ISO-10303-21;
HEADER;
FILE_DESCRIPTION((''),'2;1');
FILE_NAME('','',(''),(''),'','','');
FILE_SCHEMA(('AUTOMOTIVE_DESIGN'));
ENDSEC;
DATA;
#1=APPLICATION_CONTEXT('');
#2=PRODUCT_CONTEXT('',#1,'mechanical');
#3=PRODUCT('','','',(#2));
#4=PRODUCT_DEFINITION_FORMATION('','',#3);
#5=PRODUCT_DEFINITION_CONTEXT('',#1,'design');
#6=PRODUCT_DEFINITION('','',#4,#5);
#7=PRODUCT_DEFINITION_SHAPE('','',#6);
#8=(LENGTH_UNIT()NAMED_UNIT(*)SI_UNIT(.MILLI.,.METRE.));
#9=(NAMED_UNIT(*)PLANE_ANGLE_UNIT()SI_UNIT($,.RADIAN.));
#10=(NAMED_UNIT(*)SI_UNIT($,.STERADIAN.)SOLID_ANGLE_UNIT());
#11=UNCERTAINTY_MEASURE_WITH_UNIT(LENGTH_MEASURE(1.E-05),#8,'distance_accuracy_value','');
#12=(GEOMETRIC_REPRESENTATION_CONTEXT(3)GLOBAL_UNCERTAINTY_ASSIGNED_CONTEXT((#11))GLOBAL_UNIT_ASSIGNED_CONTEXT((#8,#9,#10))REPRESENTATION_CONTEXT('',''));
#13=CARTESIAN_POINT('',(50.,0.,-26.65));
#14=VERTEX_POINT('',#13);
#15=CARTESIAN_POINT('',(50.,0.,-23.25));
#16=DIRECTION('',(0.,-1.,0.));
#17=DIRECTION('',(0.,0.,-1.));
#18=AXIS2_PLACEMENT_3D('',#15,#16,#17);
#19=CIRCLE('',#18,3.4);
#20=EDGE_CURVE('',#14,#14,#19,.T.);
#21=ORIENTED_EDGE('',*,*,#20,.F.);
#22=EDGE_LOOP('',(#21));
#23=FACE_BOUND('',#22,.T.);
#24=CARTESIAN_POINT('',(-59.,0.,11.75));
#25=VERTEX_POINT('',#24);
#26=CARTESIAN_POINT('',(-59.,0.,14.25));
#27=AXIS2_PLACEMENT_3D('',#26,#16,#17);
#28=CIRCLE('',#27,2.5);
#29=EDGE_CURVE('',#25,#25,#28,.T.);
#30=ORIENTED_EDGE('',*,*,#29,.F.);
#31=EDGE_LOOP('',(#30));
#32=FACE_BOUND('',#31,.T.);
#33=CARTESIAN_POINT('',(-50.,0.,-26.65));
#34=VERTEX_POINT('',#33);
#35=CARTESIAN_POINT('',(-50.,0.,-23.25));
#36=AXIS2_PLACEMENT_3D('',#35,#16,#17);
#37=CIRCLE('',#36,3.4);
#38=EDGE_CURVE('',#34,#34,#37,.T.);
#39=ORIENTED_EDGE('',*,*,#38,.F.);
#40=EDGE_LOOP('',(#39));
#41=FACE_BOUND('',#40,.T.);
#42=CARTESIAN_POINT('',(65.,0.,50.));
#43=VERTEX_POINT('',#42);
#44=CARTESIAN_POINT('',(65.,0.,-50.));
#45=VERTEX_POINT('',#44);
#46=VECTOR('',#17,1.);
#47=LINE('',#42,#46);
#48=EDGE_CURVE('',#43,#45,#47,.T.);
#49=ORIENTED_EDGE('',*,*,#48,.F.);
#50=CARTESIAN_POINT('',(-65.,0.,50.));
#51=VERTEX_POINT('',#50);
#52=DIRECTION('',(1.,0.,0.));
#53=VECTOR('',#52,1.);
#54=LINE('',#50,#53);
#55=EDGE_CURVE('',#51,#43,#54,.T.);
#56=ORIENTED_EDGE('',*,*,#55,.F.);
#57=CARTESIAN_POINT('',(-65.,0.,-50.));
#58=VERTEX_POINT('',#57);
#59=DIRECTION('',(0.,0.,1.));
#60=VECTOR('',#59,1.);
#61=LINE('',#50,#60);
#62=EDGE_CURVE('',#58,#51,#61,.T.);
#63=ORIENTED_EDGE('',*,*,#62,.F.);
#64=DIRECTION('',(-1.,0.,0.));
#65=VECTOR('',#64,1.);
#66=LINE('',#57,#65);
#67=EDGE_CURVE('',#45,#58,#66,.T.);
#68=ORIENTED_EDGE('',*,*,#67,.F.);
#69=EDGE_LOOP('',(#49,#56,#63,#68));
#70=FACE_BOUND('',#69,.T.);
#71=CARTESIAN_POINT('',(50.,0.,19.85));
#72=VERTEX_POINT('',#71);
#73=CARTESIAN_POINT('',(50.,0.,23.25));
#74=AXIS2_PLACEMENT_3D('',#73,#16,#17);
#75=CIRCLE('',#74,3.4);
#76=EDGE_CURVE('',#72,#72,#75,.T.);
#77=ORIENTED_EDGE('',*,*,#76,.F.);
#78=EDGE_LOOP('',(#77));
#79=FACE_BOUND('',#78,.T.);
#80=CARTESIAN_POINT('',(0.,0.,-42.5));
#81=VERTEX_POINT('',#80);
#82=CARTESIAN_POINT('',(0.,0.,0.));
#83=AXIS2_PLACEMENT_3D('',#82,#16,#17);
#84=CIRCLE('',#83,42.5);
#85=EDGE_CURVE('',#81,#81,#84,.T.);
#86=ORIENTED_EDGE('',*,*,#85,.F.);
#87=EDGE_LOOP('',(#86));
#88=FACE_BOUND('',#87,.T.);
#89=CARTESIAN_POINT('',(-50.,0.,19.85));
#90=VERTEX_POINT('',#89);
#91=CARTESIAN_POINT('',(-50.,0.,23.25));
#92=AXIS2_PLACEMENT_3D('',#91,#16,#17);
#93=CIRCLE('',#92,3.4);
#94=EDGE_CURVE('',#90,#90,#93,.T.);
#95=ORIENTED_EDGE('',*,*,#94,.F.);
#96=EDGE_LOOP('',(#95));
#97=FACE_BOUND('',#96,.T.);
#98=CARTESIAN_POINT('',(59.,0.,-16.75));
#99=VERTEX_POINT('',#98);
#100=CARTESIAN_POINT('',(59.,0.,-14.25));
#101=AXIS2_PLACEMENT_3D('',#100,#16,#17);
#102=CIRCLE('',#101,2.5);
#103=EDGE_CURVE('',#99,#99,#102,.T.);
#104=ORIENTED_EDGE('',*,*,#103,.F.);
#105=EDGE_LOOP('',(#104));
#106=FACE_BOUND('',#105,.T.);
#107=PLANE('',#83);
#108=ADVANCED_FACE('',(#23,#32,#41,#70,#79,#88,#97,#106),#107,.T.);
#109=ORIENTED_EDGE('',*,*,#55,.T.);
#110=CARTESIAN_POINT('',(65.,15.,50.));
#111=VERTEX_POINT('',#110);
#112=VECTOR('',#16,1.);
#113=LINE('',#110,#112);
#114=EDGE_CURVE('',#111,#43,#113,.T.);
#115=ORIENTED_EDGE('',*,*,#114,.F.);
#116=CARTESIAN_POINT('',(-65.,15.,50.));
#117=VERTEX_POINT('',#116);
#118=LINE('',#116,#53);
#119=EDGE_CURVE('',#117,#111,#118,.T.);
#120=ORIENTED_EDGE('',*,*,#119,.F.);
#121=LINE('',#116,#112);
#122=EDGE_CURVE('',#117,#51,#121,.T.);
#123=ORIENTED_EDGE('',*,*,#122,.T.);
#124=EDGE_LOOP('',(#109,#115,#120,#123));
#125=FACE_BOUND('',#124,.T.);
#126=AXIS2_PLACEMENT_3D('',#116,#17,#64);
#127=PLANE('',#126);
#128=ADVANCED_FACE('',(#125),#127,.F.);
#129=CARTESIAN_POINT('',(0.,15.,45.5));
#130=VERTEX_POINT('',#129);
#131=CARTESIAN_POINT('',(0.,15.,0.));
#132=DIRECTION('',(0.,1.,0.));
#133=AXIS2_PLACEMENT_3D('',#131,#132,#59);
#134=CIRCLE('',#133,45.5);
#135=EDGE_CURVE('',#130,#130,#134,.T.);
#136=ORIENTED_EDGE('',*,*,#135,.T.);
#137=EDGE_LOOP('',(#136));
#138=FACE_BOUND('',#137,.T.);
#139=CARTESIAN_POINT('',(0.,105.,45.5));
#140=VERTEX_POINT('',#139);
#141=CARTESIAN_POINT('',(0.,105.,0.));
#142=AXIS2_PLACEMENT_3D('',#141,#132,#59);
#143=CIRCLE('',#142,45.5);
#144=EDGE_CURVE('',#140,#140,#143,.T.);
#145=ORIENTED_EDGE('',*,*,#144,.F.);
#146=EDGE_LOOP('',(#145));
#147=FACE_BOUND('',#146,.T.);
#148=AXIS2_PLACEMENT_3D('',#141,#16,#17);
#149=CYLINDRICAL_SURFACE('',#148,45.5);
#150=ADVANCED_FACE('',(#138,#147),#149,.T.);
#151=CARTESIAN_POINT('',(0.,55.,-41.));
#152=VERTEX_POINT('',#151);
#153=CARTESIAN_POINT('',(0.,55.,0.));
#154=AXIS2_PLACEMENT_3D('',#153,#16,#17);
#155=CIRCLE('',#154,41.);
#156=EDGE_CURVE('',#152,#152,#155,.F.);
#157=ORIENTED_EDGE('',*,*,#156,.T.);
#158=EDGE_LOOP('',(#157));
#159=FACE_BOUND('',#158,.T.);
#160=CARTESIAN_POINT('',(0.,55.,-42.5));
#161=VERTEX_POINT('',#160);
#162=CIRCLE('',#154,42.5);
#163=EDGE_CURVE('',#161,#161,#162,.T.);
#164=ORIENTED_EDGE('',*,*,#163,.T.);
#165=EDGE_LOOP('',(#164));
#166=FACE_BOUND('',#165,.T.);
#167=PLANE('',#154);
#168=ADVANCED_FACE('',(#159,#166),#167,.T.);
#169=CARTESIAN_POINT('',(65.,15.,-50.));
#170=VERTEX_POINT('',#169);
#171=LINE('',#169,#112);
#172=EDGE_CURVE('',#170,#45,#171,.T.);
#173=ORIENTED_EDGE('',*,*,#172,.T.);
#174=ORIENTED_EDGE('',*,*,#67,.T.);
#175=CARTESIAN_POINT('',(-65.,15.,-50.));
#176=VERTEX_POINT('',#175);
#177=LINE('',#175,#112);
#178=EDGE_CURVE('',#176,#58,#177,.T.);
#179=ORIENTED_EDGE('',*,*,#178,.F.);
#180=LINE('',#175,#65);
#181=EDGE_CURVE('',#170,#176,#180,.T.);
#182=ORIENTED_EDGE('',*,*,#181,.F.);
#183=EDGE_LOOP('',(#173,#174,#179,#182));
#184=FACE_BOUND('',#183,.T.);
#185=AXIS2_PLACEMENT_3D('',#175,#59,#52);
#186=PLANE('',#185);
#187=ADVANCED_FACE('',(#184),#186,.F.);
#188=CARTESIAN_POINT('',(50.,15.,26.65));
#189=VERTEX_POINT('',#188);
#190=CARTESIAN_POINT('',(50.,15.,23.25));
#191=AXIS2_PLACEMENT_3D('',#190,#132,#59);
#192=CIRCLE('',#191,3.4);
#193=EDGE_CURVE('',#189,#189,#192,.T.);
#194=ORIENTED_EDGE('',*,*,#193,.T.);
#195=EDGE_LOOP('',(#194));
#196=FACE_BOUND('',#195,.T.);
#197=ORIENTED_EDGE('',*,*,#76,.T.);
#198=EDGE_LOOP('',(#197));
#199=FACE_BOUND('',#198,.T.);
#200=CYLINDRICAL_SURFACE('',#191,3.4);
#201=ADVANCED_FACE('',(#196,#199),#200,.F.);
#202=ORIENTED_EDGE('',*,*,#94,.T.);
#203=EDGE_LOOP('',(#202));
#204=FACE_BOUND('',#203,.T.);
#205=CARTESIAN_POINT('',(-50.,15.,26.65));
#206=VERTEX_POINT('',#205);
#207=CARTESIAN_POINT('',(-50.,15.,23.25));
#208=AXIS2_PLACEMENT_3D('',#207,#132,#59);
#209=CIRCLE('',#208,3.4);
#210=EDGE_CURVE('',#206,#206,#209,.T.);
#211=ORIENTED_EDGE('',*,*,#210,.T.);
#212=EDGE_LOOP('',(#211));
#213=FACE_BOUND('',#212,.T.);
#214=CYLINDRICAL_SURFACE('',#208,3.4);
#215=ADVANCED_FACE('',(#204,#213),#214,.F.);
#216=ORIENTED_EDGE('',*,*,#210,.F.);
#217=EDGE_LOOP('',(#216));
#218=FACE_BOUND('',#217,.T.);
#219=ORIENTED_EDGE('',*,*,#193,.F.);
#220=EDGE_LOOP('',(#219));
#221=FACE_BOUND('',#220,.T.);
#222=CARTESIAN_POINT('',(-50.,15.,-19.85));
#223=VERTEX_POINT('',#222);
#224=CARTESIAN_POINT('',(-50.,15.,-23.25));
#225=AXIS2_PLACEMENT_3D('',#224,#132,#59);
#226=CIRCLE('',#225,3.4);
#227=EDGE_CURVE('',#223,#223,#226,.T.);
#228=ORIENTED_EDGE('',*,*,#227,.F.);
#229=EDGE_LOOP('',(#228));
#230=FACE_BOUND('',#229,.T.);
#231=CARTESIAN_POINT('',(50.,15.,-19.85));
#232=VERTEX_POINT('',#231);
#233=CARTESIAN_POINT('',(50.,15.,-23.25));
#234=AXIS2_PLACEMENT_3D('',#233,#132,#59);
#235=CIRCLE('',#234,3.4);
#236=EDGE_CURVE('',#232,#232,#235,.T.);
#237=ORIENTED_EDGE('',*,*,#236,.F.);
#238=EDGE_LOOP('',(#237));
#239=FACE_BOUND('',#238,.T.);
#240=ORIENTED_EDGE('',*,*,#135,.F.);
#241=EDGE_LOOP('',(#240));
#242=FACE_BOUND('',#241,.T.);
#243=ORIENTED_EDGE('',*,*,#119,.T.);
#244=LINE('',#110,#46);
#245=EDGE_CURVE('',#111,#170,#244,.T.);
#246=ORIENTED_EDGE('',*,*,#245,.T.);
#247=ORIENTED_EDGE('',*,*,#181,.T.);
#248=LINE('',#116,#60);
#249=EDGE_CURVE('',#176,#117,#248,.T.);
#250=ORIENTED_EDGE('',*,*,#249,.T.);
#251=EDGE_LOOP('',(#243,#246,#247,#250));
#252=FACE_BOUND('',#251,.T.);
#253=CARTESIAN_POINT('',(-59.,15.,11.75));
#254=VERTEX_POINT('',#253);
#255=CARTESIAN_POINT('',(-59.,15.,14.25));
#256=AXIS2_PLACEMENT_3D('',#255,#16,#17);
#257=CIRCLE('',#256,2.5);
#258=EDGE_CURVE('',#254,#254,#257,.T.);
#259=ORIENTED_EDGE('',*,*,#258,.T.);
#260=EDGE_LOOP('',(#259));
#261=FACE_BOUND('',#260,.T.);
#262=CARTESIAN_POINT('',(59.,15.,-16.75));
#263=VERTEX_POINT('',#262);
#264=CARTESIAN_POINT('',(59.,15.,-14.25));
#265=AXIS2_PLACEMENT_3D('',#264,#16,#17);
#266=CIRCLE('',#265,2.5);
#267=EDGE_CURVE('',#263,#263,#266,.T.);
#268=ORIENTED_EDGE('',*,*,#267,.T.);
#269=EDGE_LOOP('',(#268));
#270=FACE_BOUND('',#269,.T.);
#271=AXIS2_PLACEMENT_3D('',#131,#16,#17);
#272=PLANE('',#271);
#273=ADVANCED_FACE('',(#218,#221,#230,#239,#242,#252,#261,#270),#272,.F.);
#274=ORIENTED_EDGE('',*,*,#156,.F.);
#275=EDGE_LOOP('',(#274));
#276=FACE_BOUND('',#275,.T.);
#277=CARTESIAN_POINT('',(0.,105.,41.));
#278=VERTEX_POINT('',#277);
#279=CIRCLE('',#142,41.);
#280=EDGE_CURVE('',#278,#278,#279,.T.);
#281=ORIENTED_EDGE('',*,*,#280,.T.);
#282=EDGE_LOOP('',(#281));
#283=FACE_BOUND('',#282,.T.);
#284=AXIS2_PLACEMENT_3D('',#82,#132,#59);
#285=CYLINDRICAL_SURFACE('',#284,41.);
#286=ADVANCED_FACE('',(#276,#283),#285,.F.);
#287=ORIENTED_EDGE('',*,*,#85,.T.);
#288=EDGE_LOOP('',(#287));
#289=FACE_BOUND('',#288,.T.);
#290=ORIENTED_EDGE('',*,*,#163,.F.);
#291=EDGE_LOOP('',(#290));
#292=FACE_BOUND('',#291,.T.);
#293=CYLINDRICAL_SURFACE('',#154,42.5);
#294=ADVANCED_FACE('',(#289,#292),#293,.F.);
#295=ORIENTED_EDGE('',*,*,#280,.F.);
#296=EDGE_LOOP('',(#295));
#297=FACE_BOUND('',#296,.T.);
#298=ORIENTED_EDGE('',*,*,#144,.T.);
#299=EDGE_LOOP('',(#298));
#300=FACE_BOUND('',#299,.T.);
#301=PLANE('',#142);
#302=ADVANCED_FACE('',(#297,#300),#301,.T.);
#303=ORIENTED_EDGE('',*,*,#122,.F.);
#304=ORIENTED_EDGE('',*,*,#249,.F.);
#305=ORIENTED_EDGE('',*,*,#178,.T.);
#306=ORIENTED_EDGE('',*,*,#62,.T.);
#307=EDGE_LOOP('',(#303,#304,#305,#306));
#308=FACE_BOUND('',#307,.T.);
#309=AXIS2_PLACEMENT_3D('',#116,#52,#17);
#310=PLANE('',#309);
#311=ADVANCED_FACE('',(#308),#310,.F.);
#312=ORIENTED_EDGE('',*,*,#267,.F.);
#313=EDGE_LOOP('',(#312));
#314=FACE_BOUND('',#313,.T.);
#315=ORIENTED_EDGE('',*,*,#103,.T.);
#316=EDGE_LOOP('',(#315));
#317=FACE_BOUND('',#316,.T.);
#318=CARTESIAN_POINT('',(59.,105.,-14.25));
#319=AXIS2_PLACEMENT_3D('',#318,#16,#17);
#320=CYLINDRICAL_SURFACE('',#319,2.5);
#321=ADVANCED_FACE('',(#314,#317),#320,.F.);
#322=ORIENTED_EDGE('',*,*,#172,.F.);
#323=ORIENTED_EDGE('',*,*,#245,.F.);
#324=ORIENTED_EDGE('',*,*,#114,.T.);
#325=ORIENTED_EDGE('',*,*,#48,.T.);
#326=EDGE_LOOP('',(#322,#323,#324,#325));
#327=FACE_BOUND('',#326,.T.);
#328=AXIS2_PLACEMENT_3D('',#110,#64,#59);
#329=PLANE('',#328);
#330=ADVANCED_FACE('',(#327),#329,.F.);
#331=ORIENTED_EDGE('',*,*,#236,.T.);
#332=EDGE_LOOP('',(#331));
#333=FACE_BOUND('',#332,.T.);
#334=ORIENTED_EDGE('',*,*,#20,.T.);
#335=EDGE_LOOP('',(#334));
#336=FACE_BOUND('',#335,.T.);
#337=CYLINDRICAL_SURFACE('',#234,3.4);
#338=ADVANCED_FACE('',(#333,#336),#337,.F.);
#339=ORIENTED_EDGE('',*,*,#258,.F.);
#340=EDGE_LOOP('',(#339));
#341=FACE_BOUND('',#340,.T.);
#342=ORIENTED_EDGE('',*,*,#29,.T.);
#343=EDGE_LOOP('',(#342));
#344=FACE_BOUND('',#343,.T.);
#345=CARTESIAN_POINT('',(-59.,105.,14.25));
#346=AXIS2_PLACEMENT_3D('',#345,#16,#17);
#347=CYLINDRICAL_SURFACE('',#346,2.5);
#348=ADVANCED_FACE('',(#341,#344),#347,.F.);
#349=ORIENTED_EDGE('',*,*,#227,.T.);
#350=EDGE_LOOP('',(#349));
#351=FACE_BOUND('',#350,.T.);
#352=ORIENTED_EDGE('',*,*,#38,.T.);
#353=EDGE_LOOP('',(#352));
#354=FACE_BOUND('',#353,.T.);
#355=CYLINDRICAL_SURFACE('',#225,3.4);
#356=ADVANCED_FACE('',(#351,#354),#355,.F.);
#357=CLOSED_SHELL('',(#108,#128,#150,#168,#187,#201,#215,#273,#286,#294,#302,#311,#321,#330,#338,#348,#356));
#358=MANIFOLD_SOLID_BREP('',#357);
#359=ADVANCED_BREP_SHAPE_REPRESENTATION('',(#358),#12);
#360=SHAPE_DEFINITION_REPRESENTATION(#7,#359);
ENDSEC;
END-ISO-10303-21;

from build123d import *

# Parameters (mm, degrees)
SKETCH1_W             = 130
SKETCH1_H             = 100
BOSS_EXTRUDE1_DEPTH   = 15
SKETCH2_R             = 45.5
BOSS_EXTRUDE2_DEPTH   = 90
SKETCH3_R             = 41
CUT_EXTRUDE1_DEPTH    = 106
SKETCH4_R             = 42.5
CUT_EXTRUDE2_DEPTH    = 55
M8_TAPPED_HOLE1_D     = 6.8
M8_TAPPED_HOLE1_DEPTH = 17.707073895
M8_TAPPED_HOLE1_TIP   = 2.042926105
SKETCH11_R            = 2.5
CUT_EXTRUDE3_DEPTH    = 106


with BuildPart() as part:
    # Sketch1 → Boss-Extrude1 (new body)
    with BuildSketch(Plane(origin=(0, 0, 0), x_dir=(1, 0, 0), z_dir=(0, 1, 0))):
        Rectangle(SKETCH1_W, SKETCH1_H)
    extrude(amount=BOSS_EXTRUDE1_DEPTH)

    # Sketch2 → Boss-Extrude2 (add)
    with BuildSketch(Plane(origin=(0, 15, 0), x_dir=(1, 0, 0), z_dir=(0, 1, 0))):
        Circle(SKETCH2_R)
    extrude(amount=BOSS_EXTRUDE2_DEPTH)

    # Sketch3 → Cut-Extrude1 (cut, through all)
    with BuildSketch(Plane(origin=(0, 105, 0), x_dir=(1, 0, 0), z_dir=(0, 1, 0))):
        Circle(SKETCH3_R)
    extrude(amount=-CUT_EXTRUDE1_DEPTH, mode=Mode.SUBTRACT)

    # Sketch4 → Cut-Extrude2 (cut)
    with BuildSketch(Plane.XZ):
        Circle(SKETCH4_R)
    extrude(amount=-CUT_EXTRUDE2_DEPTH, mode=Mode.SUBTRACT)

    # M8 Tapped Hole1
    with Locations(Plane(origin=(0, 15, 0), x_dir=(1, 0, 0), z_dir=(0, 1, 0))):
        with Locations((-50, 23.25), (-50, -23.25), (50, -23.25), (50, 23.25)):
            Hole(M8_TAPPED_HOLE1_D / 2, depth=M8_TAPPED_HOLE1_DEPTH)
            with Locations((0, 0, -(M8_TAPPED_HOLE1_DEPTH + M8_TAPPED_HOLE1_TIP / 2))):  # 118° drill point
                Cone(0, M8_TAPPED_HOLE1_D / 2, M8_TAPPED_HOLE1_TIP, mode=Mode.SUBTRACT)

    # Sketch11 → Cut-Extrude3 (cut, through all)
    with BuildSketch(Plane.XZ):
        with Locations((-59, 14.25)):
            Circle(SKETCH11_R)
        with Locations((59, -14.25)):
            Circle(SKETCH11_R)
    extrude(amount=-CUT_EXTRUDE3_DEPTH, mode=Mode.SUBTRACT)


solid = part.part
